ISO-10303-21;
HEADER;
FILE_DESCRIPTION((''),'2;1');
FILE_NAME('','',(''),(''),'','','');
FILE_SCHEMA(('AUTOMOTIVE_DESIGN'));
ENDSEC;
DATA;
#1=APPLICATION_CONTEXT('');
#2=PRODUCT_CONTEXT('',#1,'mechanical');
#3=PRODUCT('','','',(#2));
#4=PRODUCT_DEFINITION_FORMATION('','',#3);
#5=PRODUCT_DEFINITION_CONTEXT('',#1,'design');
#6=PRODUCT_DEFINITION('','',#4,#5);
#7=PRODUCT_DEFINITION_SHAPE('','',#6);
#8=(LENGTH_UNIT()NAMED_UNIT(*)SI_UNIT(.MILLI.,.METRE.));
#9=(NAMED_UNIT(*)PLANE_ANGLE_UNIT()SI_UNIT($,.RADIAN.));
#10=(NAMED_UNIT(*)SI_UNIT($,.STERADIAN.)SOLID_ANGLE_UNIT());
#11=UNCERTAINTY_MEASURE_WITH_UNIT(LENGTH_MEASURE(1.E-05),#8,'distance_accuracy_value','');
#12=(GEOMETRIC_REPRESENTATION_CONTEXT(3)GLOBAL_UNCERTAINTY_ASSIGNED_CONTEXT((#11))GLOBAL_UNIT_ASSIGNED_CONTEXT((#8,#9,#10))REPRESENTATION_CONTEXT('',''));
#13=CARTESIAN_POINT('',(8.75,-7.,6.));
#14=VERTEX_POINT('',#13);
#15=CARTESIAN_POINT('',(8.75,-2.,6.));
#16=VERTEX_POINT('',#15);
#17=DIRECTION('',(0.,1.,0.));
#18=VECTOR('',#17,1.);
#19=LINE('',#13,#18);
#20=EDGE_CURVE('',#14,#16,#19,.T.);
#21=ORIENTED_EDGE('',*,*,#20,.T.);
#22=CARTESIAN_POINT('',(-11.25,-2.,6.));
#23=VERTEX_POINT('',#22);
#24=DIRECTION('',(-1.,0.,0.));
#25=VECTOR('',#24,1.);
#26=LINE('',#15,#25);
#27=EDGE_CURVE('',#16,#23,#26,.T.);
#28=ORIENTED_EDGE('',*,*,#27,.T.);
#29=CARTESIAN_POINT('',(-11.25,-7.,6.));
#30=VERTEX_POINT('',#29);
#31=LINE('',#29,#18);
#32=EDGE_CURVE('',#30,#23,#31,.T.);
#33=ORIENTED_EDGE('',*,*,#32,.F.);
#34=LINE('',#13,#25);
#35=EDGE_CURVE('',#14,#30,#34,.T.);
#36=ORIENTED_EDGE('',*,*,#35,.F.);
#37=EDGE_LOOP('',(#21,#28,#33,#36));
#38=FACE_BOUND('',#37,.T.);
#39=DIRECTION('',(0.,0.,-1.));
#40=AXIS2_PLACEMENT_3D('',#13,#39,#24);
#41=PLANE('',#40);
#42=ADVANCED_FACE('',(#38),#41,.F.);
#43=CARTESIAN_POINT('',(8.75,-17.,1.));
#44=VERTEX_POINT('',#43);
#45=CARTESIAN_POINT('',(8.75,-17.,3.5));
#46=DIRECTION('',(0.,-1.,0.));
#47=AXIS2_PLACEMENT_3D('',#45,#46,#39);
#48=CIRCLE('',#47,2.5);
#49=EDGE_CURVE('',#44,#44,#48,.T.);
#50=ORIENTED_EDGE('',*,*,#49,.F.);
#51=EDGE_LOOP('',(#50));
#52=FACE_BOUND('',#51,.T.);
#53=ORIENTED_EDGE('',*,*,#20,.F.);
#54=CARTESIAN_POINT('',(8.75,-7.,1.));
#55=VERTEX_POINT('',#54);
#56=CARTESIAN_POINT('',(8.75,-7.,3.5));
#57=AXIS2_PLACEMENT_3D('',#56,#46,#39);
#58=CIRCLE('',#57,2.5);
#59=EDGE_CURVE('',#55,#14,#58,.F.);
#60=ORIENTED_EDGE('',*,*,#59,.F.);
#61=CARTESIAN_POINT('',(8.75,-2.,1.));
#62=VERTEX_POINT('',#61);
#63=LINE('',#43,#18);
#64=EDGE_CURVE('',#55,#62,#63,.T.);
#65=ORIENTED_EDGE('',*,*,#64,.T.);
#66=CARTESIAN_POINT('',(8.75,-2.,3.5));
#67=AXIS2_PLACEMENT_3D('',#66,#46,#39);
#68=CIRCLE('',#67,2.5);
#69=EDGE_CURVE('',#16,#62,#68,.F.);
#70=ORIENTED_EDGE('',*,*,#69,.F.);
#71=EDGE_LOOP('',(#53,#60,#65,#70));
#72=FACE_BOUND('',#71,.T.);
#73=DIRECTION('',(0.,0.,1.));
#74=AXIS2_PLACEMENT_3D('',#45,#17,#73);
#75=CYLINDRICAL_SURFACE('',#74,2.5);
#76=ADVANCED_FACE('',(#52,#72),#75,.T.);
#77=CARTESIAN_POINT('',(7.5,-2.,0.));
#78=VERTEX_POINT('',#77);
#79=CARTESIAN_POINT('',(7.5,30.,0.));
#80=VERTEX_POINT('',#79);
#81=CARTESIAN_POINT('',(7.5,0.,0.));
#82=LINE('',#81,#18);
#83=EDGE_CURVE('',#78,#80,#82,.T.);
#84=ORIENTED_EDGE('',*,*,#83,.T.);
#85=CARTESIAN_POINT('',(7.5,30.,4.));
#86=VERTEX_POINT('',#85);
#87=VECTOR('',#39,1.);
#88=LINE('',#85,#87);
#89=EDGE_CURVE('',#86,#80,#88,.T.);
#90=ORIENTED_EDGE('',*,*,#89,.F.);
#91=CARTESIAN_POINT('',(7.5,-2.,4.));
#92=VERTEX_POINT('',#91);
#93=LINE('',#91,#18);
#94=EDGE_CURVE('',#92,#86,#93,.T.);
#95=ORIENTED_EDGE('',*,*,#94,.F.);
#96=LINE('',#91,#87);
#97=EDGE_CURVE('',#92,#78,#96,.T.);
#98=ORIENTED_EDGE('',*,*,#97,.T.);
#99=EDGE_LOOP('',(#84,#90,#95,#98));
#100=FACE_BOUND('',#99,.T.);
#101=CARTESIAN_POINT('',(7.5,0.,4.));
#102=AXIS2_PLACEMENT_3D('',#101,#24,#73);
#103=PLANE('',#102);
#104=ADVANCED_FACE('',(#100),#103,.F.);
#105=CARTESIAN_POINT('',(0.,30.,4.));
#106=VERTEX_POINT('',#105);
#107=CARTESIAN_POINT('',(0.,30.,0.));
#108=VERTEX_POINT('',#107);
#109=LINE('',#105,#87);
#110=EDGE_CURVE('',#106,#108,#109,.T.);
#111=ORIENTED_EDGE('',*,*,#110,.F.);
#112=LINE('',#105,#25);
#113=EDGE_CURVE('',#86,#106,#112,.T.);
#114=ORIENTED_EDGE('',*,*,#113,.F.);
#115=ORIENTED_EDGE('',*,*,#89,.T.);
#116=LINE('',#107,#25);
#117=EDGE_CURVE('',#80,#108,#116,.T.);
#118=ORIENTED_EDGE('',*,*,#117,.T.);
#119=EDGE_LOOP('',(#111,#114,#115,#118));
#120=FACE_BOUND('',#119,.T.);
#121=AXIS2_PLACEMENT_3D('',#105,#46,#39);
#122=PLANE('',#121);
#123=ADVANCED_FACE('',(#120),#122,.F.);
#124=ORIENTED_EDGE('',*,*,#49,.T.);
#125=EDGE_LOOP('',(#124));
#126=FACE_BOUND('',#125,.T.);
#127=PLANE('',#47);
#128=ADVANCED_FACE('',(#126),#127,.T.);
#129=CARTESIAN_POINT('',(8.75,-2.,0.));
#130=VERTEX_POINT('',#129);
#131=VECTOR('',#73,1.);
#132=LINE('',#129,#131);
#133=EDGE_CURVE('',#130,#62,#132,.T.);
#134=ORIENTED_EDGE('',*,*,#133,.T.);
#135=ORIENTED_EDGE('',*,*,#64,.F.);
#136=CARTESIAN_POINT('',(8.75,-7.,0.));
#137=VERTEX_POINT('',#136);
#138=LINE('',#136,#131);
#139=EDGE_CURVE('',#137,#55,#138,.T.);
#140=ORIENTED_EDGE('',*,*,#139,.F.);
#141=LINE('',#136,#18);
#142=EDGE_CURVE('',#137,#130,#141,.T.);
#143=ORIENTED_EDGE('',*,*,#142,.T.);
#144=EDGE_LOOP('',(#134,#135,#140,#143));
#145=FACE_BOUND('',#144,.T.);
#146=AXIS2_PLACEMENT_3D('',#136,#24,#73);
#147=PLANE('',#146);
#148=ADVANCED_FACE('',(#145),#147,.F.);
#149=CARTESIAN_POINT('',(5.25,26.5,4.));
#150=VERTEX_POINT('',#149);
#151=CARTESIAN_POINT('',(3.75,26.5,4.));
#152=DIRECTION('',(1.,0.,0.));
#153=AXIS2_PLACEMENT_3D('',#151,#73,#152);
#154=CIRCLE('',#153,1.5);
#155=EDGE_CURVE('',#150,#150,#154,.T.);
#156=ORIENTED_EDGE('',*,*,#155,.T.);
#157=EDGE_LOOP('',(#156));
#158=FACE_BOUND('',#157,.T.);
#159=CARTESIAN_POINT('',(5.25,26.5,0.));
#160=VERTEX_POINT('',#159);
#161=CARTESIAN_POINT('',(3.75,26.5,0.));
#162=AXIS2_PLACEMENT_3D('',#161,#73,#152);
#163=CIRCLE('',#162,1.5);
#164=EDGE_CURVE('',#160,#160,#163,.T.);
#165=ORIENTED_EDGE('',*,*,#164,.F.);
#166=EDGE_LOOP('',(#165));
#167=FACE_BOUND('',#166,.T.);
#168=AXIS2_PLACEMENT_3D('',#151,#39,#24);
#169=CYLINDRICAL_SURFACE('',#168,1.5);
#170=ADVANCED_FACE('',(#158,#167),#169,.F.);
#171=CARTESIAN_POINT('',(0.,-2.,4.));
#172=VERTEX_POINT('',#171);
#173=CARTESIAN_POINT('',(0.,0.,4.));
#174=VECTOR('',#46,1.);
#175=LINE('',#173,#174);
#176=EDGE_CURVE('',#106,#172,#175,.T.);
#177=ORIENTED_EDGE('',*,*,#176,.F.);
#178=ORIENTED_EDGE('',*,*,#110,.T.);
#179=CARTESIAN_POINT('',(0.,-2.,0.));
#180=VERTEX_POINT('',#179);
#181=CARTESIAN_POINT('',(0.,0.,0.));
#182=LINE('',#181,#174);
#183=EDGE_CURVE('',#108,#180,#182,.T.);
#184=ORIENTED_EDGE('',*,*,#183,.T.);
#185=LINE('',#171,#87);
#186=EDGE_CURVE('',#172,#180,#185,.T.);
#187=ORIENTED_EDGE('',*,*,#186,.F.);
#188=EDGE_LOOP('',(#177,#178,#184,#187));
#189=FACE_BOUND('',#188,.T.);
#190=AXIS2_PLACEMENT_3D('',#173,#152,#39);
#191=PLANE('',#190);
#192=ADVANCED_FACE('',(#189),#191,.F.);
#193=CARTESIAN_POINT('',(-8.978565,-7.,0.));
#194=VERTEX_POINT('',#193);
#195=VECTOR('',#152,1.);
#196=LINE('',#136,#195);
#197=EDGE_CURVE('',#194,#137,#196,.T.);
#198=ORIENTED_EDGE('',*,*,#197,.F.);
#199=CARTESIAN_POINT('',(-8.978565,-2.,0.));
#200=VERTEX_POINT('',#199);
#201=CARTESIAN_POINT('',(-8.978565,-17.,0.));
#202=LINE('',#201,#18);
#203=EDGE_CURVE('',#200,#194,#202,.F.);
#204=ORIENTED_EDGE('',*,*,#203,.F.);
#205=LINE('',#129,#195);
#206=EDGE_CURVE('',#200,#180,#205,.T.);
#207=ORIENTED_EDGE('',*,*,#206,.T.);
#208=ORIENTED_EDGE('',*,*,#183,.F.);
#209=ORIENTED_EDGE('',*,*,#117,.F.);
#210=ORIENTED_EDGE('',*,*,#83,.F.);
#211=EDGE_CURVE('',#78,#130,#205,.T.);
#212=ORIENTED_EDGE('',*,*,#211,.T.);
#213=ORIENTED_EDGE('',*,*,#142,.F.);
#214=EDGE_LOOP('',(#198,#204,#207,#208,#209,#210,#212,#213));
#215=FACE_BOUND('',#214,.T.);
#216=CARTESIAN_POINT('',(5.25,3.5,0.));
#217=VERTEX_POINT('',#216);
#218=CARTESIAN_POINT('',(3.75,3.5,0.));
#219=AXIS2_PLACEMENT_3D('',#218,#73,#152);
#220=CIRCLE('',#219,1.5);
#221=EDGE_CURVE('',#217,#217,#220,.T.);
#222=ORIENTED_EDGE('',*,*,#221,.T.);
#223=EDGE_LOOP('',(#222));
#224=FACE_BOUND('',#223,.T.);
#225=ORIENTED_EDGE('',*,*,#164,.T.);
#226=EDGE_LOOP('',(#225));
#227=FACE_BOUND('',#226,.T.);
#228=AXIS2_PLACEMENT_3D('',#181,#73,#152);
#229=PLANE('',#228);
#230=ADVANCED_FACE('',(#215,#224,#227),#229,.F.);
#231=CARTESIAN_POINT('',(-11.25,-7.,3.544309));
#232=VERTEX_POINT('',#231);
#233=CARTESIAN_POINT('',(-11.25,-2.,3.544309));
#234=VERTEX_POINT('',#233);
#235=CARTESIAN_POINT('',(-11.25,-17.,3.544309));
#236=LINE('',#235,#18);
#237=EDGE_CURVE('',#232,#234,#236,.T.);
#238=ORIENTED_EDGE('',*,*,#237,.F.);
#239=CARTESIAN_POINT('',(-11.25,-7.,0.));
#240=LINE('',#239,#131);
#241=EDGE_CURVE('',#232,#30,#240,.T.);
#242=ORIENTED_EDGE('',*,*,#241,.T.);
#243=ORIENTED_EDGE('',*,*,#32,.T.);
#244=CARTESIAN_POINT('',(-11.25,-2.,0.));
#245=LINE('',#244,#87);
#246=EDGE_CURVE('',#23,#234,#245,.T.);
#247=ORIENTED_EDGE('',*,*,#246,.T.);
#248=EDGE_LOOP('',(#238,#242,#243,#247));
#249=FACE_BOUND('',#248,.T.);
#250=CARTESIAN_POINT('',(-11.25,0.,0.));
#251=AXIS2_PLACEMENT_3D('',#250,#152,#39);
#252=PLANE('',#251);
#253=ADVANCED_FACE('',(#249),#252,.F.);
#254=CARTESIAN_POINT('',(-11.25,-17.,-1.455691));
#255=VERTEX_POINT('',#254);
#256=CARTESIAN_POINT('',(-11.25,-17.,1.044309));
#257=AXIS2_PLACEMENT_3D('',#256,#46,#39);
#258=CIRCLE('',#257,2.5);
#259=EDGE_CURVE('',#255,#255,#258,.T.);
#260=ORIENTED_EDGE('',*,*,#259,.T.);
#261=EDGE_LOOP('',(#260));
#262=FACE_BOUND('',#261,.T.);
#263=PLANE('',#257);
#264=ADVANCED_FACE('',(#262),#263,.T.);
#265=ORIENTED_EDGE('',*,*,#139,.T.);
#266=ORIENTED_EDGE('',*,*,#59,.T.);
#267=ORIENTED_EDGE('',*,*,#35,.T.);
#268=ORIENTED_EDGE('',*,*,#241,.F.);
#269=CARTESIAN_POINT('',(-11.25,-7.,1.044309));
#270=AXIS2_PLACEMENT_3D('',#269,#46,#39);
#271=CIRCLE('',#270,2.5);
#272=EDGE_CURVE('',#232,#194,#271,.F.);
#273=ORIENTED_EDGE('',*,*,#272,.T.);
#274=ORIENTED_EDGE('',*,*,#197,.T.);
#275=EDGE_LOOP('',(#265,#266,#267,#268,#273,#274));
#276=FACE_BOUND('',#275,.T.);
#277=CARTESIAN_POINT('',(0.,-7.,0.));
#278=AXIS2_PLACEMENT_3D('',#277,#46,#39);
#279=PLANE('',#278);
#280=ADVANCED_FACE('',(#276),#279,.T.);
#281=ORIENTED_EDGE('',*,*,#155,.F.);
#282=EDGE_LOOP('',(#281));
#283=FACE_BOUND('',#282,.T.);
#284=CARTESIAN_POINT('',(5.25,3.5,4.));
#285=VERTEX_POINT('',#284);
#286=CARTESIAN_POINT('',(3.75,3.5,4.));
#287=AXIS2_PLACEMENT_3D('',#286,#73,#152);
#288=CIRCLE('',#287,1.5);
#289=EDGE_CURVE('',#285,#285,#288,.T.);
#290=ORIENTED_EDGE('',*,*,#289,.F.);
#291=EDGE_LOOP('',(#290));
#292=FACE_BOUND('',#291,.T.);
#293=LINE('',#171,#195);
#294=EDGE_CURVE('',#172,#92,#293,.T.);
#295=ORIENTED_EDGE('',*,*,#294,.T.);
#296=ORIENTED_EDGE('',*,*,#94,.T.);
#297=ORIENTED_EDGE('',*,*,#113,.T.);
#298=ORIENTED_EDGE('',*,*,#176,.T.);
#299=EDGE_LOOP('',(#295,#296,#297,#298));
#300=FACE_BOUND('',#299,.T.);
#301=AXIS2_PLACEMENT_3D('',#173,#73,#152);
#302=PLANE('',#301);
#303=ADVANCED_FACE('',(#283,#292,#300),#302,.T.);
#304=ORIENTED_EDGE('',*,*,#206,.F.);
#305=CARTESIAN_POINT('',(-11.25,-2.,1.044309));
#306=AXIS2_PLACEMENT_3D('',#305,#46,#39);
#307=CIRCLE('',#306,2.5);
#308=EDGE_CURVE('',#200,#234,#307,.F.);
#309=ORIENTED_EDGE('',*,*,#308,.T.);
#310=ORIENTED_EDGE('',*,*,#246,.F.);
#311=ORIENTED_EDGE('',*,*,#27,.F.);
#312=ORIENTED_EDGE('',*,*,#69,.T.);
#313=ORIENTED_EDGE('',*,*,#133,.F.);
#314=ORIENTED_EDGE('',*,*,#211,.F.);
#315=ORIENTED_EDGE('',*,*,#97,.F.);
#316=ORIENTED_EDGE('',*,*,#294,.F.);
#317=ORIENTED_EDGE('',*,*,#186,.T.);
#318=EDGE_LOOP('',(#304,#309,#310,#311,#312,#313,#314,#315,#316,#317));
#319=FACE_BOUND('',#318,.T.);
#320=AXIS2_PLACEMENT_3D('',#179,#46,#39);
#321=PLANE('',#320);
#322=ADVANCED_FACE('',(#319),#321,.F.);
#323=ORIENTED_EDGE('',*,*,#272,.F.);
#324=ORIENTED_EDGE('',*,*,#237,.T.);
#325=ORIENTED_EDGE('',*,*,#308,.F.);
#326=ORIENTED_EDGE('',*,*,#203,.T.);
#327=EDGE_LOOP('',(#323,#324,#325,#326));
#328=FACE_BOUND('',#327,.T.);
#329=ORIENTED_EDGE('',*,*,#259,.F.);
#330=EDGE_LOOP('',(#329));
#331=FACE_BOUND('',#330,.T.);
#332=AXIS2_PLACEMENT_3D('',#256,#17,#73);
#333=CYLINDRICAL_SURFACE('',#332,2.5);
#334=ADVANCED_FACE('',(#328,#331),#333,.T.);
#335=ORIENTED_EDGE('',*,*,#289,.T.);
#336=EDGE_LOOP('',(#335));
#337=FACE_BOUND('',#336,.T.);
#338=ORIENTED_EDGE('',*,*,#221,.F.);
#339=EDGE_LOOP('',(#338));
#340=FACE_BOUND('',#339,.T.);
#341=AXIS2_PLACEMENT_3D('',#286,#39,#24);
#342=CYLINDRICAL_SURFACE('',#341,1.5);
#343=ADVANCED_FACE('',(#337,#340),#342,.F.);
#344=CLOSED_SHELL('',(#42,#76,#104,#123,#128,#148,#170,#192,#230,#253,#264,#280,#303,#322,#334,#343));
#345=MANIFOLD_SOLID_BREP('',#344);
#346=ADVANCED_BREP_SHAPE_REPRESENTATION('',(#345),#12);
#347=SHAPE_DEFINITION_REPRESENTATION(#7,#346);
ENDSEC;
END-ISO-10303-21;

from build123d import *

# Parameters (mm, degrees)
SKETCH1_R                = 1.5
BOSS_EXTRUDE1_DEPTH      = 4
SKETCH2_W                = 10
SKETCH2_H                = 6
BOSS_EXTRUDE2_DEPTH      = 5
SKETCH7_W                = 6
SKETCH7_H                = 5
BOSS_EXTRUDE5_DEPTH      = 10
SKETCH4_R                = 2.5
BOSS_EXTRUDE3_DEPTH      = 10
BOSS_EXTRUDE3_DEPTH_BACK = 5


with BuildPart() as part:
    # Sketch1 → Boss-Extrude1 (new body)
    with BuildSketch(Plane.XY):
        Polygon((0, 0), (0, 30), (7.5, 30), (7.5, 0), (7.5, -2), (0, -2), align=None)
        with Locations((3.75, 26.5)):
            Circle(SKETCH1_R, mode=Mode.SUBTRACT)
        with Locations((3.75, 3.5)):
            Circle(SKETCH1_R, mode=Mode.SUBTRACT)
    extrude(amount=BOSS_EXTRUDE1_DEPTH)

    # Sketch2 → Boss-Extrude2 (add)
    with BuildSketch(Plane.XZ.offset(2)):
        with Locations((3.75, 3)):
            Rectangle(SKETCH2_W, SKETCH2_H)
    extrude(amount=BOSS_EXTRUDE2_DEPTH)

    # Sketch7 → Boss-Extrude5 (add)
    with BuildSketch(Plane.ZY.offset(1.25)):
        with Locations((3, -4.5)):
            Rectangle(SKETCH7_W, SKETCH7_H)
    extrude(amount=BOSS_EXTRUDE5_DEPTH)

    # Sketch4 → Boss-Extrude3 (add, two sides)
    with BuildSketch(Plane.XZ.offset(7)) as boss_extrude3_sk:
        with Locations((8.75, 3.5)):
            Circle(SKETCH4_R)
        with Locations((-11.25, 1.044308782)):
            Circle(SKETCH4_R)
    extrude(amount=BOSS_EXTRUDE3_DEPTH)
    extrude(boss_extrude3_sk.sketch, amount=-BOSS_EXTRUDE3_DEPTH_BACK)


solid = part.part
